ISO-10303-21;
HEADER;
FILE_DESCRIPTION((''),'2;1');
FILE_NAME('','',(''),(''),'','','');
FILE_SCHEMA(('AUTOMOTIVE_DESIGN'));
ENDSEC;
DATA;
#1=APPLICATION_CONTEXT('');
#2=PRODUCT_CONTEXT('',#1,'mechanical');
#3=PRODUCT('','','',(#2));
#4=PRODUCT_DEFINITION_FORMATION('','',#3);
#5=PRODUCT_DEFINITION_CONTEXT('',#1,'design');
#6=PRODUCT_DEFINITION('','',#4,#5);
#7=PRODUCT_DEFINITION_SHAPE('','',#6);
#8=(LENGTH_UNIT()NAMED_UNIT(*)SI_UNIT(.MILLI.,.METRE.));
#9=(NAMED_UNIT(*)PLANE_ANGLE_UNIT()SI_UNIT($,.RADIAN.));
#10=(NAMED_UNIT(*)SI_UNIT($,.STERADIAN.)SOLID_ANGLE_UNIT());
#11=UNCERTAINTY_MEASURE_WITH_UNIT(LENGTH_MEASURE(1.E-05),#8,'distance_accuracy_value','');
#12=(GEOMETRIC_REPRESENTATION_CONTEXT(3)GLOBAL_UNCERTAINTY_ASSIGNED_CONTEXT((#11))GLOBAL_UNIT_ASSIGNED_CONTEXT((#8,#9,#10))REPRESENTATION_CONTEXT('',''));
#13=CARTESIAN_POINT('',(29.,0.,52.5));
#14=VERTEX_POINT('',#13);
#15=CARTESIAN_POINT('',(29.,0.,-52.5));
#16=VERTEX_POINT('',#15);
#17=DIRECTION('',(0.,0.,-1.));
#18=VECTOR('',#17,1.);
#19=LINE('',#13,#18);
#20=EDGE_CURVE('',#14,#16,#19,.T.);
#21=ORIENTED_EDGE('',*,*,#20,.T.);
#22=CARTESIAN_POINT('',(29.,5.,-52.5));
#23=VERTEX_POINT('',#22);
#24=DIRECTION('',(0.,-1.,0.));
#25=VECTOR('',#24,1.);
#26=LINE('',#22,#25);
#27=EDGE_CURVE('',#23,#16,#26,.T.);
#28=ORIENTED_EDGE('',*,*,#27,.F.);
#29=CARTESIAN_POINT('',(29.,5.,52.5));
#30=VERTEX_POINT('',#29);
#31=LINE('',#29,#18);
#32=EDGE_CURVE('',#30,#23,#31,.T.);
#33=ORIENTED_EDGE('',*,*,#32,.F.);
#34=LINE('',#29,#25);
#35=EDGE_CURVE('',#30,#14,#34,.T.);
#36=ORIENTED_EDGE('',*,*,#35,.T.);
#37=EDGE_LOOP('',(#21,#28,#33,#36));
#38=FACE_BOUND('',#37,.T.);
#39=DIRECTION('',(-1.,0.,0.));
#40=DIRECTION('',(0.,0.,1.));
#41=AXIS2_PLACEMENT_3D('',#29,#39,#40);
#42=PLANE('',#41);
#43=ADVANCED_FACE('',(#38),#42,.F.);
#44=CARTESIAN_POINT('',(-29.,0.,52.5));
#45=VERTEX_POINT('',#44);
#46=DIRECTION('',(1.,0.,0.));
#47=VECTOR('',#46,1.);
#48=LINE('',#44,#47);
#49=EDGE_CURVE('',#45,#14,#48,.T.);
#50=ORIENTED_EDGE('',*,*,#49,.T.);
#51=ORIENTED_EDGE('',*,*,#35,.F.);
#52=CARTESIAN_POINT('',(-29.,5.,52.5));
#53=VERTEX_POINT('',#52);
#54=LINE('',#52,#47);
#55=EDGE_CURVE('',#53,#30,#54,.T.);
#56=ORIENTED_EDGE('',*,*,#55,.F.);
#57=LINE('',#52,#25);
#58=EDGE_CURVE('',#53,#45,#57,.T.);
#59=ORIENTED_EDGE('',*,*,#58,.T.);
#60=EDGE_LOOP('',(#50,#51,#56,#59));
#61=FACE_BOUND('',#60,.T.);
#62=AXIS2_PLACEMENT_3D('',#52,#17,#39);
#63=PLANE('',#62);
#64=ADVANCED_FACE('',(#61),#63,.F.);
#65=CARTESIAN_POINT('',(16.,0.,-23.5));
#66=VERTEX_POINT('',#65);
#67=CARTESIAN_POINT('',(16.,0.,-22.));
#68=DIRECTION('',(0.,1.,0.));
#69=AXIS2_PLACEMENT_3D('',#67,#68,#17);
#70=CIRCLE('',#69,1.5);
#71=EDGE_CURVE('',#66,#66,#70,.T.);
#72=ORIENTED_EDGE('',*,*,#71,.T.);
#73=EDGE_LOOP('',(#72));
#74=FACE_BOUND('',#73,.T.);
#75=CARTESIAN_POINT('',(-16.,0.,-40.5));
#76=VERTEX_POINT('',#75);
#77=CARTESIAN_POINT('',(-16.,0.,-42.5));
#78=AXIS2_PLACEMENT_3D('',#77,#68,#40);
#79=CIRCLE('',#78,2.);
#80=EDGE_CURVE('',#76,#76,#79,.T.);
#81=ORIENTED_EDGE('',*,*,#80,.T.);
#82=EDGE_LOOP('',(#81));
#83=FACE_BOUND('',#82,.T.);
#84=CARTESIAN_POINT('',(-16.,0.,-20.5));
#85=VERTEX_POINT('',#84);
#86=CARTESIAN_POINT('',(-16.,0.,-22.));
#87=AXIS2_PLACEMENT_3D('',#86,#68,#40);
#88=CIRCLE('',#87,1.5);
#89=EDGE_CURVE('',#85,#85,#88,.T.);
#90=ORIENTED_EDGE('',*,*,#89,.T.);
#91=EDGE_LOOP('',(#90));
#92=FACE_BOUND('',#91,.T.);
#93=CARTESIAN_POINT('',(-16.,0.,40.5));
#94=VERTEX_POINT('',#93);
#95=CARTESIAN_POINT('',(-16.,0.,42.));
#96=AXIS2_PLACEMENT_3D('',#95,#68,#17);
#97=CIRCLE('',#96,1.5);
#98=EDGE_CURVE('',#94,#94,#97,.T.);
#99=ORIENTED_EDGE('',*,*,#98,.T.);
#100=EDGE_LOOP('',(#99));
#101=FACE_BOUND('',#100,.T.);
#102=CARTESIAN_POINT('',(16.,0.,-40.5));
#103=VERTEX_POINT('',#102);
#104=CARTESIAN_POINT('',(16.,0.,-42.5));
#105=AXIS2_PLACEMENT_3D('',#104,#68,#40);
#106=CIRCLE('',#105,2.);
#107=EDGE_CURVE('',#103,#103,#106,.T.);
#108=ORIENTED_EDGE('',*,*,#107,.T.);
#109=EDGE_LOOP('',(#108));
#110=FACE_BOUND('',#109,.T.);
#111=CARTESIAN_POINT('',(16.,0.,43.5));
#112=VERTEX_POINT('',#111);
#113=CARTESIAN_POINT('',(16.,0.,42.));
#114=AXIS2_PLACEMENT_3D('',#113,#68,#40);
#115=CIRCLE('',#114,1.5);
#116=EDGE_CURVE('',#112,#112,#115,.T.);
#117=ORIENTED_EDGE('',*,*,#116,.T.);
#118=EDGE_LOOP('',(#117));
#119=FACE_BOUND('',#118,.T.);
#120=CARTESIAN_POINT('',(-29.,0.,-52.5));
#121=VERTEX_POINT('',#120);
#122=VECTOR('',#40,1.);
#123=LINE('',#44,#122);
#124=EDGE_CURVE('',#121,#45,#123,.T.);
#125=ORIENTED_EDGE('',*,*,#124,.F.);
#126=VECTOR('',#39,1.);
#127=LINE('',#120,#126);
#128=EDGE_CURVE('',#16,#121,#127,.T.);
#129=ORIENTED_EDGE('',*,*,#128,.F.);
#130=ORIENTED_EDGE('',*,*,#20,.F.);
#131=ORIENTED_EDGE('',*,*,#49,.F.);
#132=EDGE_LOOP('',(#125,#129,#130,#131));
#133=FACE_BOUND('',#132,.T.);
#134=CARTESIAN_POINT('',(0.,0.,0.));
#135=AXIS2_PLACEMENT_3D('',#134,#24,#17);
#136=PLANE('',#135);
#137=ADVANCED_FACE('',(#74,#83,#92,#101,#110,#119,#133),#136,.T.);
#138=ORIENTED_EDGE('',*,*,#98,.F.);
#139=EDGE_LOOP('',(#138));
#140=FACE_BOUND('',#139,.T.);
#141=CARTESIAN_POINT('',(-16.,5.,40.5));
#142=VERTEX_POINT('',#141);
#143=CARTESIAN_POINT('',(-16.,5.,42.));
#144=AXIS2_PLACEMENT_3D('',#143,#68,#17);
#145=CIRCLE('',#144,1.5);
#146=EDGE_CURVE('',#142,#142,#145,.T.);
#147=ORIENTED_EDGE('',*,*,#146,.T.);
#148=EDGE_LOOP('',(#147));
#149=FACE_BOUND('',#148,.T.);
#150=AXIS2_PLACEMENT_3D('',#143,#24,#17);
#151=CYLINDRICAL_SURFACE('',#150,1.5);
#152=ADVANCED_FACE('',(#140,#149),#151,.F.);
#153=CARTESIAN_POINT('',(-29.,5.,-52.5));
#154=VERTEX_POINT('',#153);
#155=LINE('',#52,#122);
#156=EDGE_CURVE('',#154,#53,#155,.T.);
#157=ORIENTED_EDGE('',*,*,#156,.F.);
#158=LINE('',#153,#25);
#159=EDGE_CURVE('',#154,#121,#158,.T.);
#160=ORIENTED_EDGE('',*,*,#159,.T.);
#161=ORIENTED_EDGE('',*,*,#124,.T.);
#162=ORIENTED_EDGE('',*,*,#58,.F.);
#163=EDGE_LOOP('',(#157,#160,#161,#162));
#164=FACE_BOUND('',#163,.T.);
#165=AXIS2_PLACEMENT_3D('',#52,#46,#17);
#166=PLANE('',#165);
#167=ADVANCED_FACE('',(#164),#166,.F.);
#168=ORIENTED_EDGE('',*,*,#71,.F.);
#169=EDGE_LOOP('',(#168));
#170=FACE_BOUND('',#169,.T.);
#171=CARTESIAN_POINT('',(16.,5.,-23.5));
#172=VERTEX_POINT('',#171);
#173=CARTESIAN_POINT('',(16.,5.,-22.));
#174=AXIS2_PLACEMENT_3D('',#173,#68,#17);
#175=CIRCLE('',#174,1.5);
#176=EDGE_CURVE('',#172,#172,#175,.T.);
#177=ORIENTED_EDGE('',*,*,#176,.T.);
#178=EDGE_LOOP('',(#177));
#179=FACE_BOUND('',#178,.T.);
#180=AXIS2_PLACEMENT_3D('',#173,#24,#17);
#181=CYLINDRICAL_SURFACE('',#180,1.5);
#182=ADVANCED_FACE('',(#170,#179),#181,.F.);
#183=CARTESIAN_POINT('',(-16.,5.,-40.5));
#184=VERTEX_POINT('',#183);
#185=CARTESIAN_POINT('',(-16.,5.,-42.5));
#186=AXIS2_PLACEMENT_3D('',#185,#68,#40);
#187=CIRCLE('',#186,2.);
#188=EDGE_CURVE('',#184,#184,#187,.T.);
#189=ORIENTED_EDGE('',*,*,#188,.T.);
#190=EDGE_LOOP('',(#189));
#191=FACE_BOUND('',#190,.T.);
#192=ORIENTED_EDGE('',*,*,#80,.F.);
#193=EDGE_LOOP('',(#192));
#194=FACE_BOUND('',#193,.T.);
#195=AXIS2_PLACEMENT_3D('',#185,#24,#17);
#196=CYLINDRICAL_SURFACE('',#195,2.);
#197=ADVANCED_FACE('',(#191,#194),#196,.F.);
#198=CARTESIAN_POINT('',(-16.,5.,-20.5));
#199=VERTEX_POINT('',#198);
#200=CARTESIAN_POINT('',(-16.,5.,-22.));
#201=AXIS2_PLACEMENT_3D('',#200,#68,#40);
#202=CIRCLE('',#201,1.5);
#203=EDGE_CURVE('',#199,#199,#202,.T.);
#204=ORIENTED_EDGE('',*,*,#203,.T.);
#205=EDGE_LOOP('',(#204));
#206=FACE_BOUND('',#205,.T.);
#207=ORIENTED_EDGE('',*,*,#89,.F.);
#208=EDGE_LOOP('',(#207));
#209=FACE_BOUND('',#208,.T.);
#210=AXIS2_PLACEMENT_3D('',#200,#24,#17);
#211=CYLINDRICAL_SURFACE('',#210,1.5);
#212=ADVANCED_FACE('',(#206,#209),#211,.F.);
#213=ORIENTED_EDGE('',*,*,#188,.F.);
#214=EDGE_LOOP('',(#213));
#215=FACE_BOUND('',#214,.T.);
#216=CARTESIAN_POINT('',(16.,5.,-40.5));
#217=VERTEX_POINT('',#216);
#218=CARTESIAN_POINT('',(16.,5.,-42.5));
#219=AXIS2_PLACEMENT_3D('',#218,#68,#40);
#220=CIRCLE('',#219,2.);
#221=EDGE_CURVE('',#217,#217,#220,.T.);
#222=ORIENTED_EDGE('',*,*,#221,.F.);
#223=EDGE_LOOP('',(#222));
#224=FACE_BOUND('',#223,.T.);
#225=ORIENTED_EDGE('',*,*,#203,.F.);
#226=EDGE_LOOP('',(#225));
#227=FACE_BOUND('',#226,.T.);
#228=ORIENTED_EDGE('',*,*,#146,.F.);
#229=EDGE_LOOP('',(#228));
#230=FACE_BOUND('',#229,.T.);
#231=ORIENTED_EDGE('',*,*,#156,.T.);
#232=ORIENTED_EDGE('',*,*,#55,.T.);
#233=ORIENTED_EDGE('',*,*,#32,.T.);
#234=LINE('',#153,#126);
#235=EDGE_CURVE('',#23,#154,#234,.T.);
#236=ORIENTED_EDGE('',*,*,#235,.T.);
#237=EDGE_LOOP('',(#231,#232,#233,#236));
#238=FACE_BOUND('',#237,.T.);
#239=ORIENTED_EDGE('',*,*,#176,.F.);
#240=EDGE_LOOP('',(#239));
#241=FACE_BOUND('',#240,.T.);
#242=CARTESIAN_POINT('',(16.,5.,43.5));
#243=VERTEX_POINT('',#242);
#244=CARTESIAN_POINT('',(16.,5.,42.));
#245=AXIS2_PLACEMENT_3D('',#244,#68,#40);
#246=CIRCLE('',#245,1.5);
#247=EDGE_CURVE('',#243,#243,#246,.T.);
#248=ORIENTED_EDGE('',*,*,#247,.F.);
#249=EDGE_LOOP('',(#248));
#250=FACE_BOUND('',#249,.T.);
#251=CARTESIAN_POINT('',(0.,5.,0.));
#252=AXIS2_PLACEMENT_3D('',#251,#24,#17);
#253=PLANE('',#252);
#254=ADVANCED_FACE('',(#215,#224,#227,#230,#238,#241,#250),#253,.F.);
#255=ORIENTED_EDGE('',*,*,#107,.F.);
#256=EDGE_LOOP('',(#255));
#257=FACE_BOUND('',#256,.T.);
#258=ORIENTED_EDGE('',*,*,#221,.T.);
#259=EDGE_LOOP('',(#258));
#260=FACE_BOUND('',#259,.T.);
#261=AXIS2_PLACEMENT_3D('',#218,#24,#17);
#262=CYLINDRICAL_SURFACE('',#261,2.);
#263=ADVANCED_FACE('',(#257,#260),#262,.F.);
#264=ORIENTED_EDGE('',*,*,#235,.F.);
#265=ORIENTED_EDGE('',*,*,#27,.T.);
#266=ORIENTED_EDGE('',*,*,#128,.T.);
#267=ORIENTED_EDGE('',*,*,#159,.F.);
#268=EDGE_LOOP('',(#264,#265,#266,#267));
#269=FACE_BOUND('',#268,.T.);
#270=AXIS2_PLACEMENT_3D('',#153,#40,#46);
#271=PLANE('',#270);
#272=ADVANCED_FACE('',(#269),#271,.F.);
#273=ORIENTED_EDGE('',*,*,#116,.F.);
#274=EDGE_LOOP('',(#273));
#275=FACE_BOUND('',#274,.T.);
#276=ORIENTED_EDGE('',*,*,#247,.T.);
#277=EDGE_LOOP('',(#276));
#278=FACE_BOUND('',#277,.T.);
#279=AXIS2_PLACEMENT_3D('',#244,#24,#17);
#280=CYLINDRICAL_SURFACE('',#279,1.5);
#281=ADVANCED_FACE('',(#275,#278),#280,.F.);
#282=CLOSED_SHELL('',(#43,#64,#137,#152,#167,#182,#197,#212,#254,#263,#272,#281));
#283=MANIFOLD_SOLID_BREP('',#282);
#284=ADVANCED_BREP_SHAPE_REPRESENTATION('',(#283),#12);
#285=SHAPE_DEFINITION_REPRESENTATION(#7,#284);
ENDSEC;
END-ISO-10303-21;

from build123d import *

# Parameters (mm, degrees)
SKETCH1_W           = 58
SKETCH1_H           = 105
SKETCH1_R           = 1.5
SKETCH1_R_2         = 2
BOSS_EXTRUDE1_DEPTH = 5


with BuildPart() as part:
    # Sketch1 → Boss-Extrude1 (new body)
    with BuildSketch(Plane(origin=(0, 0, 0), x_dir=(1, 0, 0), z_dir=(0, 1, 0))):
        Rectangle(SKETCH1_W, SKETCH1_H)
        with Locations((-16, 22)):
            Circle(SKETCH1_R, mode=Mode.SUBTRACT)
        with Locations((16, 22)):
            Circle(SKETCH1_R, mode=Mode.SUBTRACT)
        with Locations((16, -42)):
            Circle(SKETCH1_R, mode=Mode.SUBTRACT)
        with Locations((-16, -42)):
            Circle(SKETCH1_R, mode=Mode.SUBTRACT)
        with Locations((-16, 42.5)):
            Circle(SKETCH1_R_2, mode=Mode.SUBTRACT)
        with Locations((16, 42.5)):
            Circle(SKETCH1_R_2, mode=Mode.SUBTRACT)
    extrude(amount=BOSS_EXTRUDE1_DEPTH)


solid = part.part
